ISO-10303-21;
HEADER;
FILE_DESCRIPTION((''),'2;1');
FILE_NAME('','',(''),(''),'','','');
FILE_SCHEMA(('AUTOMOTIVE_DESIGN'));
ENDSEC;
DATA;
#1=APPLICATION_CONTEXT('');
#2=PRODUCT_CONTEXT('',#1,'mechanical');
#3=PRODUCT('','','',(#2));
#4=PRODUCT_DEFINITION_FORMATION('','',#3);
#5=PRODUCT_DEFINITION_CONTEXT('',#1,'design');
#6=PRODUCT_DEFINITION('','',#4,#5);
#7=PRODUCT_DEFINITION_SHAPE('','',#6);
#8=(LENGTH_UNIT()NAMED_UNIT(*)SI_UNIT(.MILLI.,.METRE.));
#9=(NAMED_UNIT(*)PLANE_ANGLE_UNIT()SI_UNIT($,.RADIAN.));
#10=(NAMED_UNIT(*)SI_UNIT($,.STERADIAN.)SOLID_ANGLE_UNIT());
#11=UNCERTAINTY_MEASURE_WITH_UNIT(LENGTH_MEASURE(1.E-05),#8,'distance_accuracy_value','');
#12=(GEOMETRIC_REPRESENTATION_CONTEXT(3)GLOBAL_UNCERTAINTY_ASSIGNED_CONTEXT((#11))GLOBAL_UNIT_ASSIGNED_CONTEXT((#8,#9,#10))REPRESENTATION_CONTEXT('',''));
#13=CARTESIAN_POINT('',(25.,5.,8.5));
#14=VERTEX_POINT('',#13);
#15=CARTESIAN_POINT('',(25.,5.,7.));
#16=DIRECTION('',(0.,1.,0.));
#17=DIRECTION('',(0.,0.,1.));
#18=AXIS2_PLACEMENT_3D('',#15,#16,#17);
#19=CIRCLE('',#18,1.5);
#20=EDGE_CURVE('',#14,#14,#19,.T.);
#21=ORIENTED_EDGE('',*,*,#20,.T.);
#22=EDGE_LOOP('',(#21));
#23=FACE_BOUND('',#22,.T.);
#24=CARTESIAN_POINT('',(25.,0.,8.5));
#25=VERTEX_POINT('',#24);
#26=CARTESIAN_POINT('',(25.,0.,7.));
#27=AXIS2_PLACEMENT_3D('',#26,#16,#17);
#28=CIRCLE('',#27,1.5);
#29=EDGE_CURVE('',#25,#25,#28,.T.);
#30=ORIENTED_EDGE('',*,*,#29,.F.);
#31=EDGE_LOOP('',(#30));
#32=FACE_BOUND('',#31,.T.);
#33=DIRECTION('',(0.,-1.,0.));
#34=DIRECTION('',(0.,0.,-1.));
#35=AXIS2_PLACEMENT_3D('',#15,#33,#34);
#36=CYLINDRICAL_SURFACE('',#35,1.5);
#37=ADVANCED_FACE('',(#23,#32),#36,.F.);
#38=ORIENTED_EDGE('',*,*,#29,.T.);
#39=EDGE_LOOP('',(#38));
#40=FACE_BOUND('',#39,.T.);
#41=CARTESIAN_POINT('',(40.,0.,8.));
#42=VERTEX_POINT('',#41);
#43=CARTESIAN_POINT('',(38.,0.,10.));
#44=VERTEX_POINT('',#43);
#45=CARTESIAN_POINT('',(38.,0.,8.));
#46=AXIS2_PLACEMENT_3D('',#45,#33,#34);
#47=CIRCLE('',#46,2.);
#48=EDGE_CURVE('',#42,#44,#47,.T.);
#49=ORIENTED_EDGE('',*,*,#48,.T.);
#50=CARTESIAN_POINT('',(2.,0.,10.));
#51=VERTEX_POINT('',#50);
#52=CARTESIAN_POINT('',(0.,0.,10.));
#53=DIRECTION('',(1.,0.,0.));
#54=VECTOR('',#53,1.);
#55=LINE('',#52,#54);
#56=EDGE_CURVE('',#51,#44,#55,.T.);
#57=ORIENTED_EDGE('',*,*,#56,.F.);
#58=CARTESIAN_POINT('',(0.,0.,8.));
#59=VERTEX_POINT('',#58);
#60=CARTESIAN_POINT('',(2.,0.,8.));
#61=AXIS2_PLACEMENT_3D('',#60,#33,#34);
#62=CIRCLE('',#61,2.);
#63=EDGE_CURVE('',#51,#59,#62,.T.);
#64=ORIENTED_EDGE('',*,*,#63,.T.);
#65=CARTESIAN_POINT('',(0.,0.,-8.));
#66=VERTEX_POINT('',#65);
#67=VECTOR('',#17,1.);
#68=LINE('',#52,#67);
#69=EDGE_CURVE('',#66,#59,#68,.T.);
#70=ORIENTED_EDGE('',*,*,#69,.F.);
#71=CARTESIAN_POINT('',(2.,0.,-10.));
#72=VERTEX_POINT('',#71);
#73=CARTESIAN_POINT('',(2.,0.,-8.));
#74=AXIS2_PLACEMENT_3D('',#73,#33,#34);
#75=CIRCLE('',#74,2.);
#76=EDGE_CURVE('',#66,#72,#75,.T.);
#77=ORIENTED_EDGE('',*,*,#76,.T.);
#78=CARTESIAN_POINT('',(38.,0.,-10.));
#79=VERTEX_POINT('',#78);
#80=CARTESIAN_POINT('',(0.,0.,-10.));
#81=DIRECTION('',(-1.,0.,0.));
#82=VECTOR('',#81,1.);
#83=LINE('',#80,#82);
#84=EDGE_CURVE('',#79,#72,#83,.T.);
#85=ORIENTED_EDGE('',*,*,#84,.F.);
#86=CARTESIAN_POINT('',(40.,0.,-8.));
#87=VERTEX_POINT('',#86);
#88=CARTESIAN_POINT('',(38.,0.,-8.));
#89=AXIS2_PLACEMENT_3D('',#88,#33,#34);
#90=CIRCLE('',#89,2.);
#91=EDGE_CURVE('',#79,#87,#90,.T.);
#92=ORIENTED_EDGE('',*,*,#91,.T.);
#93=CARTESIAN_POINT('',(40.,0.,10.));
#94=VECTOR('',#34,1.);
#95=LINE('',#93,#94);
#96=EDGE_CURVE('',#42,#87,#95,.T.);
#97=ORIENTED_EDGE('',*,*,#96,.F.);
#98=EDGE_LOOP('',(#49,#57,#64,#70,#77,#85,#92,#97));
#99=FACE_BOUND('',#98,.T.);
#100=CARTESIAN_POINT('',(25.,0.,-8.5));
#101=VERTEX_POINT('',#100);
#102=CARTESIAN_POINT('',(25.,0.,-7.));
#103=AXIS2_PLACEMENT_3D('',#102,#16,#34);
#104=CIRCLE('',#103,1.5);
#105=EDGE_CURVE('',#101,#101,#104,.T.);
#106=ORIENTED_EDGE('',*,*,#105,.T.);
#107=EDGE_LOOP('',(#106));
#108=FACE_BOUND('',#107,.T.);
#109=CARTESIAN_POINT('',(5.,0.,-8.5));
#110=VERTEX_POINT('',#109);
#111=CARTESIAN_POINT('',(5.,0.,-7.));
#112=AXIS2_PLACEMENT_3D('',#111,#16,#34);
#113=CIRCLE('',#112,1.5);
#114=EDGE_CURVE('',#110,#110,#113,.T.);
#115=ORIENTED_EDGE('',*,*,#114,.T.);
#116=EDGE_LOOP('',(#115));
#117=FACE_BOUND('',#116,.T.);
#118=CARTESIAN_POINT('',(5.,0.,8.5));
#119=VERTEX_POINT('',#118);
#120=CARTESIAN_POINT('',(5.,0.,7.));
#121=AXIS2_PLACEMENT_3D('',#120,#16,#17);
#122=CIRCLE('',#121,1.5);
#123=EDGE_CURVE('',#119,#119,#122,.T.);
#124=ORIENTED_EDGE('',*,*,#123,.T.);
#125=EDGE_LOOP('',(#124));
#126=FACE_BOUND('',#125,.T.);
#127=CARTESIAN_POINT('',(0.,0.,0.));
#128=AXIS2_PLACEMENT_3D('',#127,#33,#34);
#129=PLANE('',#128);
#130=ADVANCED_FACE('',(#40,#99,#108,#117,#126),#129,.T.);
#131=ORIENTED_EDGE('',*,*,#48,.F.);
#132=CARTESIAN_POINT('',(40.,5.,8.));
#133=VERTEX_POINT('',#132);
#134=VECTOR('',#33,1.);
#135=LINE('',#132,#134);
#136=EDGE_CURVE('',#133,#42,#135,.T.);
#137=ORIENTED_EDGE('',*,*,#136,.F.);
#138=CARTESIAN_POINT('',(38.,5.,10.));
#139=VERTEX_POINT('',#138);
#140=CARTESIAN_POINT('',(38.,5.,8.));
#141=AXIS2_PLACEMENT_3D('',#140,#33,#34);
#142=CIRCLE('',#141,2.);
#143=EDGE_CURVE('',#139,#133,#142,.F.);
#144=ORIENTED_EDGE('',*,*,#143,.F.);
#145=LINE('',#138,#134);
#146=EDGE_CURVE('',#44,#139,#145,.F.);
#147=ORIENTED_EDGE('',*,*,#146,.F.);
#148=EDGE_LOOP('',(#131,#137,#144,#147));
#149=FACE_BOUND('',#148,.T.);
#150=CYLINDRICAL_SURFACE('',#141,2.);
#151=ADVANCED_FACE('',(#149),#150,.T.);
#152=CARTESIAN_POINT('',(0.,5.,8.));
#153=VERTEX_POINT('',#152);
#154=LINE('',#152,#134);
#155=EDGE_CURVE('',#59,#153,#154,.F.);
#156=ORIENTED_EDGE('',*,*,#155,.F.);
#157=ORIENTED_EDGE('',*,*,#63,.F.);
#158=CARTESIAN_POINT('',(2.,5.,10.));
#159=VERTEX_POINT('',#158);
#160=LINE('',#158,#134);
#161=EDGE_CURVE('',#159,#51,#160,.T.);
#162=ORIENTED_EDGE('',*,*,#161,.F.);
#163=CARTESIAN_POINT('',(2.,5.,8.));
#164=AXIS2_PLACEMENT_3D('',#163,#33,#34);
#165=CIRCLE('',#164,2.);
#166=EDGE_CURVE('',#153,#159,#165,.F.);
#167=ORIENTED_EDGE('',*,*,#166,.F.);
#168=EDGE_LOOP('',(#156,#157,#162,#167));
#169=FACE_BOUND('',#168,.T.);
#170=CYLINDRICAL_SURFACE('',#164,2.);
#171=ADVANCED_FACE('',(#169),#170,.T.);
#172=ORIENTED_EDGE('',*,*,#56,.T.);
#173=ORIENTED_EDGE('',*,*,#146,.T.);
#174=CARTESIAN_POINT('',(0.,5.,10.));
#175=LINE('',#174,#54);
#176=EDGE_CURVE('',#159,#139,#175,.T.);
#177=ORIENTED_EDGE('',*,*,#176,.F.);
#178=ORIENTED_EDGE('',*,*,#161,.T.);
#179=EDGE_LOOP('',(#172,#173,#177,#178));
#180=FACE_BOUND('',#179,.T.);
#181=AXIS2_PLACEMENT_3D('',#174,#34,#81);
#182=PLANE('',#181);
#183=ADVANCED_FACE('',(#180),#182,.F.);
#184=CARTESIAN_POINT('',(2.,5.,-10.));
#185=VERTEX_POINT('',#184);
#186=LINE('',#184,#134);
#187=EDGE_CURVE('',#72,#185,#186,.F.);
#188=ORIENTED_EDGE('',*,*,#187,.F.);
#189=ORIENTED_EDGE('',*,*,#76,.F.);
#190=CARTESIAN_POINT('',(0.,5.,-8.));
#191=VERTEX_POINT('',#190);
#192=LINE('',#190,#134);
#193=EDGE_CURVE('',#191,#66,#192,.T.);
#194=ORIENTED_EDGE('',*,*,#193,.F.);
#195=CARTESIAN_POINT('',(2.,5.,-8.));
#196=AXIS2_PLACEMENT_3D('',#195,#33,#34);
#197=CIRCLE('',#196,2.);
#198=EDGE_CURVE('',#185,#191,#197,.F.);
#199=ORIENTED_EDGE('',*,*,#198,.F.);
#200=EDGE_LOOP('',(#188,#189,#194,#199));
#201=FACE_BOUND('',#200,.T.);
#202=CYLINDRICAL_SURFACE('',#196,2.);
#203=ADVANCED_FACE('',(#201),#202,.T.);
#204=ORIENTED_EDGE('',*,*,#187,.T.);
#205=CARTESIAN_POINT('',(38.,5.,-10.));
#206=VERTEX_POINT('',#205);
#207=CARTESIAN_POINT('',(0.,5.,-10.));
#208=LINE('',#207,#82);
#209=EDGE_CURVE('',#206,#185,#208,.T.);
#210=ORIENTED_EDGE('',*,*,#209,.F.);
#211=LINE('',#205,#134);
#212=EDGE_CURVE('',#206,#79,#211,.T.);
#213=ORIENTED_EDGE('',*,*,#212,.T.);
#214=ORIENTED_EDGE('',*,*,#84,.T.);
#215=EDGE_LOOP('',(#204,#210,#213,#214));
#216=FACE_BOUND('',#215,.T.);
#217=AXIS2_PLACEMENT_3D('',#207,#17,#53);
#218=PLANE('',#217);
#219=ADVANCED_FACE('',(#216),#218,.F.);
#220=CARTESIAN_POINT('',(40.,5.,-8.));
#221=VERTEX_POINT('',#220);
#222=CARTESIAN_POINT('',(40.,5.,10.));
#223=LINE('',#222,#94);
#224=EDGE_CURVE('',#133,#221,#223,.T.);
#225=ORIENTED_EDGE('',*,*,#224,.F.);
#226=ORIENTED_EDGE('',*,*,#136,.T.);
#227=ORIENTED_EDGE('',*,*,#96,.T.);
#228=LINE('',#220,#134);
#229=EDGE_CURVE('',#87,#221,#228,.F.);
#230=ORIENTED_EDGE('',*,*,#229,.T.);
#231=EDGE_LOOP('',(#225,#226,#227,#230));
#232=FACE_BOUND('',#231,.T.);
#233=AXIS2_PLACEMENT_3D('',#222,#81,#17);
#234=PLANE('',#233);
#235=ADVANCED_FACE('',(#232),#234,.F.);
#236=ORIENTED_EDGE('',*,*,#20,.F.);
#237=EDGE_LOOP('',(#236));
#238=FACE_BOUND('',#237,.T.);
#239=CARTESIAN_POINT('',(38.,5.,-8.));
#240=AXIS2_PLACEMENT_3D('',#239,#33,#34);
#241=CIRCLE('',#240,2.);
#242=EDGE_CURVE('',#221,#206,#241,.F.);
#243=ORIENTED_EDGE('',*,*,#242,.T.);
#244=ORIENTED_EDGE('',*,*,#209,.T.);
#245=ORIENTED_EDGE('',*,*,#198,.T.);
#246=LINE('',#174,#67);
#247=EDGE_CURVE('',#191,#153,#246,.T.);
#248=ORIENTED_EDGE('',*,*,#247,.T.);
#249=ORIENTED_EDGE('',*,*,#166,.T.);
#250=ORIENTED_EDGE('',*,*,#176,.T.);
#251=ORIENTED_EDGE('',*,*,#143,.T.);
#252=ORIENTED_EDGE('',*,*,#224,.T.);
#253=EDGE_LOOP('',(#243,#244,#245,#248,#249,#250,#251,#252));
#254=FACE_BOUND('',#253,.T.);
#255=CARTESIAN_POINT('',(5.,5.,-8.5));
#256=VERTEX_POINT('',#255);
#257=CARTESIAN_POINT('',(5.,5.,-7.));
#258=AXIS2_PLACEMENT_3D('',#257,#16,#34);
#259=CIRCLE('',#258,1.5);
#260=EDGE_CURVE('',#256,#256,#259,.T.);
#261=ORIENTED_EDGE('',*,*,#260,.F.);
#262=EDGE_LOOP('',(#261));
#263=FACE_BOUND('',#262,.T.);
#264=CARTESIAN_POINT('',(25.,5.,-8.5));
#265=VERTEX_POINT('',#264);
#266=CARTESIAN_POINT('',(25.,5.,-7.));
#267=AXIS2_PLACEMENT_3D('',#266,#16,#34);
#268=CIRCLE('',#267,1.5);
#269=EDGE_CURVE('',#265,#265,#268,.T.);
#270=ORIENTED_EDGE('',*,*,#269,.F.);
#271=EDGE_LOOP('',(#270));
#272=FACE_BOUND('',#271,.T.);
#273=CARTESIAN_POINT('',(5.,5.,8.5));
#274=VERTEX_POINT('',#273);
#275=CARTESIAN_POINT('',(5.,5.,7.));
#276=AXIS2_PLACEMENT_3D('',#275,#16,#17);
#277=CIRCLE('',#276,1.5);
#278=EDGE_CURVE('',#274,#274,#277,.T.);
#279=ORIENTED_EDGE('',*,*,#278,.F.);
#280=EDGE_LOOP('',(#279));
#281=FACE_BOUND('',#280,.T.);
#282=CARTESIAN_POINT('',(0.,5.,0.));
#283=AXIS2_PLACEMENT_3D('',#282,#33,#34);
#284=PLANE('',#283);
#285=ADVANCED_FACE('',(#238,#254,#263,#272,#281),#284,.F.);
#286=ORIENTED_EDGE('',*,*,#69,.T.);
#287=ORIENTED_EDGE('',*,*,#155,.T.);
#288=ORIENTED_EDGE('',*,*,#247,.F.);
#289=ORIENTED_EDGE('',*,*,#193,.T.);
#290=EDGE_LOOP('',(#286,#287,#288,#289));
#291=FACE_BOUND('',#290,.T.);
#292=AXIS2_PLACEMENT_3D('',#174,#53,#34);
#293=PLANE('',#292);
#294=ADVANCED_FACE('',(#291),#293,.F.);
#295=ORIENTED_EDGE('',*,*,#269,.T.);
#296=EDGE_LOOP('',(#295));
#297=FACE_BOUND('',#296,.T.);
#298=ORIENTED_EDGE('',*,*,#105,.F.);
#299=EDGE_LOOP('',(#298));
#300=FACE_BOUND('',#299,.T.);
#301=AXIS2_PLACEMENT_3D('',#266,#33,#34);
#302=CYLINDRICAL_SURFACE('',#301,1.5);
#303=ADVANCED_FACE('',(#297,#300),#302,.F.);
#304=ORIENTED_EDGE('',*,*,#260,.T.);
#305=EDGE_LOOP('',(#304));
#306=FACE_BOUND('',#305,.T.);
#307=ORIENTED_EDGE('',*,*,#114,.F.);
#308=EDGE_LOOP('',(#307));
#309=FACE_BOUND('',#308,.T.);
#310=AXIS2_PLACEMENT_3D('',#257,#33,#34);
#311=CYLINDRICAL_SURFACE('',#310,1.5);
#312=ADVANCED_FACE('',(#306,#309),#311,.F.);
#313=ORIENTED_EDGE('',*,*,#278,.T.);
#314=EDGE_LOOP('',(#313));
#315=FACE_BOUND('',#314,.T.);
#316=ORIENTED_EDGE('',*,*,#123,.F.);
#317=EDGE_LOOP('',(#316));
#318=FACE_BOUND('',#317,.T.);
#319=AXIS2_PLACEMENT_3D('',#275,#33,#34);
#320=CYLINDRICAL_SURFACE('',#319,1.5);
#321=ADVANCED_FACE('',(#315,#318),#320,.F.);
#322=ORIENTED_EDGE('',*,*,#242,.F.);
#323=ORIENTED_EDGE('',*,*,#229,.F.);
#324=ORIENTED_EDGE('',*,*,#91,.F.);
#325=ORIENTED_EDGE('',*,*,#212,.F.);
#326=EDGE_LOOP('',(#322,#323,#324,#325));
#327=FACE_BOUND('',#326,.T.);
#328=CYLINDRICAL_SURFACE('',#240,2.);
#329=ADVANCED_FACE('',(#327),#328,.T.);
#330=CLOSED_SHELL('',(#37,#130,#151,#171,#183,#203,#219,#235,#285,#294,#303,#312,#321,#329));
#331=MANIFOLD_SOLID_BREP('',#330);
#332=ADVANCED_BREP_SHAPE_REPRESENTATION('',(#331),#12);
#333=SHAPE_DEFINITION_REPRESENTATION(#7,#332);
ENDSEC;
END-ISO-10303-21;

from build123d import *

# Parameters (mm, degrees)
SKETCH_1_W      = 40
SKETCH_1_H      = 20
SKETCH_1_R      = 1.5
EXTRUDE_1_DEPTH = 5
FILLET_1_R      = 2


with BuildPart() as part:
    # 草图1 → 凸台-拉伸1 (new body)
    with BuildSketch(Plane(origin=(0, 0, 0), x_dir=(1, 0, 0), z_dir=(0, 1, 0))):
        with Locations((20, 0)):
            Rectangle(SKETCH_1_W, SKETCH_1_H)
        with Locations(Location((5, -7, 0), (0, 0, 270))):
            Circle(SKETCH_1_R, mode=Mode.SUBTRACT)
        with Locations(Location((25, -7, 0), (0, 0, 270))):
            Circle(SKETCH_1_R, mode=Mode.SUBTRACT)
        with Locations(Location((25, 7, 0), (0, 0, 90))):
            Circle(SKETCH_1_R, mode=Mode.SUBTRACT)
        with Locations(Location((5, 7, 0), (0, 0, 90))):
            Circle(SKETCH_1_R, mode=Mode.SUBTRACT)
    extrude(amount=EXTRUDE_1_DEPTH)

    # 圆角1
    fillet_1_edges = [part.edges().sort_by_distance(p)[0] for p in [
        (0, 2.5, -10),
        (40, 2.5, -10),
        (40, 2.5, 10),
        (0, 2.5, 10),
    ]]
    fillet(fillet_1_edges, radius=FILLET_1_R)


solid = part.part
